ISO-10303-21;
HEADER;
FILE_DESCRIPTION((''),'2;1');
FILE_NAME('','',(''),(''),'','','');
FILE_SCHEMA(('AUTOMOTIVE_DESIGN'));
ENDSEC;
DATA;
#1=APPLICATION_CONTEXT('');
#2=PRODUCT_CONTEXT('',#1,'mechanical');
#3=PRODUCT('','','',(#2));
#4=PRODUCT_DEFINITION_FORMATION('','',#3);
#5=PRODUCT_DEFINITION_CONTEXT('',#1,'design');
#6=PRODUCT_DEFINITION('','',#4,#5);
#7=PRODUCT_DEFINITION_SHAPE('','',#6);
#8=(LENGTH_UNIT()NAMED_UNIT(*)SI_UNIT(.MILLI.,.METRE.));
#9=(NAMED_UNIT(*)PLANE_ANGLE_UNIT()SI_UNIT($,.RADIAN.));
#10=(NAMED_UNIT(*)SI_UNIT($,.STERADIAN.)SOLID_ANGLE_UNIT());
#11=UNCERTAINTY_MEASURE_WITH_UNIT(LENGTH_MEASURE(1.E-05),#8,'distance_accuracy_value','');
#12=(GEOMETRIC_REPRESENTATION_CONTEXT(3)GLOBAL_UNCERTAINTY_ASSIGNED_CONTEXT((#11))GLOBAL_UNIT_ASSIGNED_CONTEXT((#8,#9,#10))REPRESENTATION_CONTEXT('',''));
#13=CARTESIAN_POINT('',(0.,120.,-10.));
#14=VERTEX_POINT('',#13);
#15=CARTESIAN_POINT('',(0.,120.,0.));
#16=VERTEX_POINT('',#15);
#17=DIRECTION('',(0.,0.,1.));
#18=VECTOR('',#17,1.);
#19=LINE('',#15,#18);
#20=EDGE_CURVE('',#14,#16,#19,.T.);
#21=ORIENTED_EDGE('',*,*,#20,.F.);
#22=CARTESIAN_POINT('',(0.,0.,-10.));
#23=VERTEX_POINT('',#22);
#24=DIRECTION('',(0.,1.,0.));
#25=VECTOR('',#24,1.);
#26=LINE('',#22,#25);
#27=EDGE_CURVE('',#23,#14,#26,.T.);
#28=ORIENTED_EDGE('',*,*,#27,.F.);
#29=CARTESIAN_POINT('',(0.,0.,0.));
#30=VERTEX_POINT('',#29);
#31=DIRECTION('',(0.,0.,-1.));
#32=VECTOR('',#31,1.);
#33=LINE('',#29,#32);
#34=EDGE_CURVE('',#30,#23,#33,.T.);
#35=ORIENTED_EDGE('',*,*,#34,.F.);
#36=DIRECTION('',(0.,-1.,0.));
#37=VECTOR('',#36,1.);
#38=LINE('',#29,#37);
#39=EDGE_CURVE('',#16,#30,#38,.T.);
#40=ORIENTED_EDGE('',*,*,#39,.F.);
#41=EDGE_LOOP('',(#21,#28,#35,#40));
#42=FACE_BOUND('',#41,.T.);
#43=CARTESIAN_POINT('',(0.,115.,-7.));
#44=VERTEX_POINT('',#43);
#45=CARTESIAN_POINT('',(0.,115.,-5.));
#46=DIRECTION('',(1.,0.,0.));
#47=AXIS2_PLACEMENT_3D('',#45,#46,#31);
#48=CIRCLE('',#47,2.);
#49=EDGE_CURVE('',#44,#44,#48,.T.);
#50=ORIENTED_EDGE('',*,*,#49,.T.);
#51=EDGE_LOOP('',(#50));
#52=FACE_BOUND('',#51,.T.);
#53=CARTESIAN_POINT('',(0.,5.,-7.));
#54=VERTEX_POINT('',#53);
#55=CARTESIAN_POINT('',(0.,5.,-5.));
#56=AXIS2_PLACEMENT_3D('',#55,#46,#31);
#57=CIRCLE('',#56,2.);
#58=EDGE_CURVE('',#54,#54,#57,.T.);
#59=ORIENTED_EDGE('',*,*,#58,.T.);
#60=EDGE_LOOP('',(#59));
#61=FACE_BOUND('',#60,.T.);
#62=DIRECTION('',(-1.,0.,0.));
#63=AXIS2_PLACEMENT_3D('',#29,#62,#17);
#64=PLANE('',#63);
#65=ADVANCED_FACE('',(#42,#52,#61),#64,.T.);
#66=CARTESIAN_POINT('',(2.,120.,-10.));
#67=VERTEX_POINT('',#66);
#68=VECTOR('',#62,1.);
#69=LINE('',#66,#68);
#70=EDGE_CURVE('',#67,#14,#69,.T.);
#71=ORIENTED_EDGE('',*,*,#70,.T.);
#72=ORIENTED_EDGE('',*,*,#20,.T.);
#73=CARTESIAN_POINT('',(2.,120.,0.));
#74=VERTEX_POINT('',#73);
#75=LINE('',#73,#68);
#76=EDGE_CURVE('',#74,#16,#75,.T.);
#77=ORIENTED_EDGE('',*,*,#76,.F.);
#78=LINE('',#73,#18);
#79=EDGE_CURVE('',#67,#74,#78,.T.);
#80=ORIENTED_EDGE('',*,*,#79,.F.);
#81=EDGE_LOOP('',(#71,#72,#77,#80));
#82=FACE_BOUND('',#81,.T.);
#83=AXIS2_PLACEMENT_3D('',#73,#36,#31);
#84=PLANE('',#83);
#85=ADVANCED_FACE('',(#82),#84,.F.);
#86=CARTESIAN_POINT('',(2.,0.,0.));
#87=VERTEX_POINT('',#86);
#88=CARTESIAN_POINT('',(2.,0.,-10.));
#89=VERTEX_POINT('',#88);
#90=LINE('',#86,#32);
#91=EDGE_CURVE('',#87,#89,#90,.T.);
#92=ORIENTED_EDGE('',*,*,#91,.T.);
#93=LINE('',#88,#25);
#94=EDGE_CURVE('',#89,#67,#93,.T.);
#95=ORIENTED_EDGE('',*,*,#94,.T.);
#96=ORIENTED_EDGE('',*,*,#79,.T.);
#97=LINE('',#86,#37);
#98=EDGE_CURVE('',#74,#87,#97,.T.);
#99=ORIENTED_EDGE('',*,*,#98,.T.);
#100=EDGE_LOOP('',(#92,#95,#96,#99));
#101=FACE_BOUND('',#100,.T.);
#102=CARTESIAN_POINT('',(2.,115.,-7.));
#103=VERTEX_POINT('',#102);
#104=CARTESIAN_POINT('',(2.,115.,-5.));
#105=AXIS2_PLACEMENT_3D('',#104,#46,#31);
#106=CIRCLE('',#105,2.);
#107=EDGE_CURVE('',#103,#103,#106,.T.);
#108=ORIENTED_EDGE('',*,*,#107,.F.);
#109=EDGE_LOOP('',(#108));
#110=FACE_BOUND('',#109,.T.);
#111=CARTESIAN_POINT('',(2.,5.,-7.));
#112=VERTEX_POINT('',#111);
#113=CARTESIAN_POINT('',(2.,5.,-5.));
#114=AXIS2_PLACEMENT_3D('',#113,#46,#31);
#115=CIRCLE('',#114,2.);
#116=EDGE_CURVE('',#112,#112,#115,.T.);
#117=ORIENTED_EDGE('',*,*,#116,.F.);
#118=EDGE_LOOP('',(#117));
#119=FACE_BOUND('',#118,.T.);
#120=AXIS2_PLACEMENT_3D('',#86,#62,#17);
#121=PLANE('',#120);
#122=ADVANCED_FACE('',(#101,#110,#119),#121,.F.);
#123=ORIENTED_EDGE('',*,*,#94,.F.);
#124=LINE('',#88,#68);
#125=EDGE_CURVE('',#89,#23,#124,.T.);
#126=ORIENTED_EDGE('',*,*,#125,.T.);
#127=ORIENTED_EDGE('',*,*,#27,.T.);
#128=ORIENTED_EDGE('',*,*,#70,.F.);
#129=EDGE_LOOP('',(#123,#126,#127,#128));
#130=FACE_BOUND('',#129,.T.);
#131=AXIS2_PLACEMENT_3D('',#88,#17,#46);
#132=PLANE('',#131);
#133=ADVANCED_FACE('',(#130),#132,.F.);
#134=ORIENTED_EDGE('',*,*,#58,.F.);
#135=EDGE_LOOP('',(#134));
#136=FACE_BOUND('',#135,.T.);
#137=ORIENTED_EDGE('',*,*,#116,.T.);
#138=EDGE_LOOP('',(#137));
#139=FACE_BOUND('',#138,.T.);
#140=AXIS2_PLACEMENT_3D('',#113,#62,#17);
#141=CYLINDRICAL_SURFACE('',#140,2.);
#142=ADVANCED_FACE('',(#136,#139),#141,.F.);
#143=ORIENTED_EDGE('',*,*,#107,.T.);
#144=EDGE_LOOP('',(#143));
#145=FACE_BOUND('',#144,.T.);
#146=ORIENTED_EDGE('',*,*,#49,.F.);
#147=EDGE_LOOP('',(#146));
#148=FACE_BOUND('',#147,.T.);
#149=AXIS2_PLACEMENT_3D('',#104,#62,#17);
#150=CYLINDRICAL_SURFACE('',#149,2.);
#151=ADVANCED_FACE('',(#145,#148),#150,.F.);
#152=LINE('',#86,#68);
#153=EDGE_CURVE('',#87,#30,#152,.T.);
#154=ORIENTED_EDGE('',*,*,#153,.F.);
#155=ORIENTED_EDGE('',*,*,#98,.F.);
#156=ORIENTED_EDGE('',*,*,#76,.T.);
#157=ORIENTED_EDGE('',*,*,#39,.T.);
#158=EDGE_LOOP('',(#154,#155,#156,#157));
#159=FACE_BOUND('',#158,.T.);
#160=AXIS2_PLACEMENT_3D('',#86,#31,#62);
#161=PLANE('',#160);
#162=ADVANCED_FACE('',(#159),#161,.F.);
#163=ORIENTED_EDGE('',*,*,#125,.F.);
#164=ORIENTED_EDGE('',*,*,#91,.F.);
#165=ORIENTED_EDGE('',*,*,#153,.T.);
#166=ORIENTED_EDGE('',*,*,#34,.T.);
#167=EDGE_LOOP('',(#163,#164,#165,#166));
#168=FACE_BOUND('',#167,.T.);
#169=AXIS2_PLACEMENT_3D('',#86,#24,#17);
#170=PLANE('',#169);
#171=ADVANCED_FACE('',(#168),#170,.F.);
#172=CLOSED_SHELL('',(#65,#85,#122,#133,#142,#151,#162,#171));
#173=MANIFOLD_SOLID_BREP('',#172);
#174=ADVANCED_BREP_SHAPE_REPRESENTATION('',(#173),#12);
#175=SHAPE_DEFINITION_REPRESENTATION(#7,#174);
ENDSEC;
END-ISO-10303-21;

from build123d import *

# Parameters (mm, degrees)
SKETCH1_W           = 10
SKETCH1_H           = 120
SKETCH1_R           = 2
BOSS_EXTRUDE1_DEPTH = 2


with BuildPart() as part:
    # Sketch1 → Boss-Extrude1 (new body)
    with BuildSketch(Plane(origin=(0, 0, 0), x_dir=(0, 0, -1), z_dir=(1, 0, 0))):
        with Locations((5, 60)):
            Rectangle(SKETCH1_W, SKETCH1_H)
        with Locations((5, 115)):
            Circle(SKETCH1_R, mode=Mode.SUBTRACT)
        with Locations((5, 5)):
            Circle(SKETCH1_R, mode=Mode.SUBTRACT)
    extrude(amount=BOSS_EXTRUDE1_DEPTH)


solid = part.part
